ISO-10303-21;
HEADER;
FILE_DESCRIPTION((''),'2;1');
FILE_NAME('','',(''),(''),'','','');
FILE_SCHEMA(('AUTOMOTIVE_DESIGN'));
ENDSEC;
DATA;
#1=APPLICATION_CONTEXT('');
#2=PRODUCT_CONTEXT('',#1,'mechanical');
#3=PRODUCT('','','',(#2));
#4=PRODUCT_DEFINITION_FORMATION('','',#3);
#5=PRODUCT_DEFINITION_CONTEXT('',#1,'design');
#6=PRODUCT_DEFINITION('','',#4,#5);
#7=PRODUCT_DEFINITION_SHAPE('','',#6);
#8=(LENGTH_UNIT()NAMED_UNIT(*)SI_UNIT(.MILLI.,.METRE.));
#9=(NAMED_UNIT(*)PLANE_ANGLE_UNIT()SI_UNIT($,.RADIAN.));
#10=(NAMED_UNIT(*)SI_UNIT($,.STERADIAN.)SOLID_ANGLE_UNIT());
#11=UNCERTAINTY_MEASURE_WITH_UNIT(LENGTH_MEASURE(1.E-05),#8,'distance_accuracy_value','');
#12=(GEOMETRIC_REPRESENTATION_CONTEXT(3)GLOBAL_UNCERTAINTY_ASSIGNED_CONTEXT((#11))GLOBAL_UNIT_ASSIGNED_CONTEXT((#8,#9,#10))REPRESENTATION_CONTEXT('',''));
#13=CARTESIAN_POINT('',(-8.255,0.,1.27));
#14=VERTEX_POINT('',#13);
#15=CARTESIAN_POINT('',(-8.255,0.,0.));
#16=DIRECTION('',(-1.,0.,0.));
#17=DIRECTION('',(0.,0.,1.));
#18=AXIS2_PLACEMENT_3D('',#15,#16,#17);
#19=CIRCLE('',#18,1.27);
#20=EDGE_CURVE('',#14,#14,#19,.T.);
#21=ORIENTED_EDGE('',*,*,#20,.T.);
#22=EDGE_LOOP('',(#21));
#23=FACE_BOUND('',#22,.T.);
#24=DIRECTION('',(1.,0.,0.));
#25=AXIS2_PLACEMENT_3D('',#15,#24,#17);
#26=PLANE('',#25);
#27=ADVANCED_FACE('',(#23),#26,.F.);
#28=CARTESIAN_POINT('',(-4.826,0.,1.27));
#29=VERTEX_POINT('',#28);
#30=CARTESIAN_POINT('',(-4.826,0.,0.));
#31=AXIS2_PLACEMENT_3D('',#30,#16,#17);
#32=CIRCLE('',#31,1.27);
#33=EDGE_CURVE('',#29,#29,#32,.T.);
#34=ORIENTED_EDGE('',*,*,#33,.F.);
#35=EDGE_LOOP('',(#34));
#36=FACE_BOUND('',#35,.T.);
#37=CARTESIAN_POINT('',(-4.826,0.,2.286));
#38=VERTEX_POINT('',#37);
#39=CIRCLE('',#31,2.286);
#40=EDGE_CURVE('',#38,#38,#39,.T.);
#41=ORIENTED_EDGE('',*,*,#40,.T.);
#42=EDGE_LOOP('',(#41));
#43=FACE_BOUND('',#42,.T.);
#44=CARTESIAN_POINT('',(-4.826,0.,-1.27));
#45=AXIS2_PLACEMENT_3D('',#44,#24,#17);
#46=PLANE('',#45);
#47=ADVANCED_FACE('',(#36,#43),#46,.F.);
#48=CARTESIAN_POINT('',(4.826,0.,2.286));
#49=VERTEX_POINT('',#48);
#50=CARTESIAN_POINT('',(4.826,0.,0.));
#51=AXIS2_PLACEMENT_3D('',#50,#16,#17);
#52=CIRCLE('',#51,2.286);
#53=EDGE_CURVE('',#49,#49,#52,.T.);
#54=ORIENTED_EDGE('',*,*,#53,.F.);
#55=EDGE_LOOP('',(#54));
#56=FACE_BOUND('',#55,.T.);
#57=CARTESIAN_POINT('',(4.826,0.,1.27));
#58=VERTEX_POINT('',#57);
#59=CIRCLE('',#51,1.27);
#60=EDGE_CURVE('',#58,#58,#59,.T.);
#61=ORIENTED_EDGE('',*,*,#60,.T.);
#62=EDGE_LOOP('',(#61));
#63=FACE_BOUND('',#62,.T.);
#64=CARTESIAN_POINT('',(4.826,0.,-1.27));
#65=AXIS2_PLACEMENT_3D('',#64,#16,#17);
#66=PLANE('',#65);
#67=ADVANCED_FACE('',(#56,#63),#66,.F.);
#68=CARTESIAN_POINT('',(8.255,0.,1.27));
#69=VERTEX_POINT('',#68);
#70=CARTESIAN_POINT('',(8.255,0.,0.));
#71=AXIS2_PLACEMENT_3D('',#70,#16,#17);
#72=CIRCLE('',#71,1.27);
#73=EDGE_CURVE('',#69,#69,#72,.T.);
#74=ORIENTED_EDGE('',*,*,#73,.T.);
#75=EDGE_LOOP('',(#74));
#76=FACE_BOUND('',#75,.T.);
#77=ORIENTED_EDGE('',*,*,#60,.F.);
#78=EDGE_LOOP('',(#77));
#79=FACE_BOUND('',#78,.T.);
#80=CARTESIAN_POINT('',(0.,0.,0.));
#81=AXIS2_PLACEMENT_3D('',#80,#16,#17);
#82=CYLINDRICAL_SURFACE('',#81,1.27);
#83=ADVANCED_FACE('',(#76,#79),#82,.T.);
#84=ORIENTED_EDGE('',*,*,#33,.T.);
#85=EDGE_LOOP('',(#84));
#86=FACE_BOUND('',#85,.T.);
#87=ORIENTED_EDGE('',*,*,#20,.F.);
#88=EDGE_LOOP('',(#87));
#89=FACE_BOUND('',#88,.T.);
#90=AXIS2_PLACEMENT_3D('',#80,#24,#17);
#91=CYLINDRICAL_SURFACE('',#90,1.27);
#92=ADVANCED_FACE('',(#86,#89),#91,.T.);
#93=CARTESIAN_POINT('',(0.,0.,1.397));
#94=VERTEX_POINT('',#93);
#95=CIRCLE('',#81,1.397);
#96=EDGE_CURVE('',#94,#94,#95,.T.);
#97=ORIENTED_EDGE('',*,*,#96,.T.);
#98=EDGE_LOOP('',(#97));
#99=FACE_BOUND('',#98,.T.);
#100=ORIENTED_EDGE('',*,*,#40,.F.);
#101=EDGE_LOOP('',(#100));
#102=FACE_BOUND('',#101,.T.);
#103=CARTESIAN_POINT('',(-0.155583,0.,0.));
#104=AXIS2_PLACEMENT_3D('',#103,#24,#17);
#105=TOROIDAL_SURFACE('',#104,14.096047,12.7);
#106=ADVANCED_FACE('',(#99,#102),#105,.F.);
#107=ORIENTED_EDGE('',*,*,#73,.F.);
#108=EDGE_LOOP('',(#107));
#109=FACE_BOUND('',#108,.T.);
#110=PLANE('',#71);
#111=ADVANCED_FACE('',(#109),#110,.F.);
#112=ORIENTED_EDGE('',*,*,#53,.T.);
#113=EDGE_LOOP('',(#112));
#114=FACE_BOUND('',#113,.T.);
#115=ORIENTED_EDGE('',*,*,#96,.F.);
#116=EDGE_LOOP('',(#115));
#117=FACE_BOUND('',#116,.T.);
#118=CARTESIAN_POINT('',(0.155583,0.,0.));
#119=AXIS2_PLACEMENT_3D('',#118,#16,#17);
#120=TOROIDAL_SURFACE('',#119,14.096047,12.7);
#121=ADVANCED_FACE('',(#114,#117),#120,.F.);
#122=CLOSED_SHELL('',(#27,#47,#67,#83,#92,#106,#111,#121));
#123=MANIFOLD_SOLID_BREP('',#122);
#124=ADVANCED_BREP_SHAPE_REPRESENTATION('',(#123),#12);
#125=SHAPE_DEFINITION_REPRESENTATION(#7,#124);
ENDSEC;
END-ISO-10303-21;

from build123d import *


with BuildPart() as part:
    # Sketch1 → Revolve1 (revolve)
    with BuildSketch(Plane(origin=(0, 0, 0), x_dir=(1, 0, 0), z_dir=(0, 1, 0)), mode=Mode.PRIVATE) as revolve1_sk:
        with BuildLine():
            Line((0, 0), (8.255, 0))
            Line((8.255, 0), (8.255, 1.27))
            Line((8.255, 1.27), (4.826, 1.27))
            Line((4.826, 1.27), (4.826, 2.286))
            ThreePointArc((4.826, 2.286), (2.456346308, 1.606191469), (0, 1.397))
            Line((0, 1.397), (0, 0))
        make_face()
    revolve1 = revolve(revolve1_sk.sketch.rotate(Axis((0, 0, 0), (1, 0, 0)), 180), axis=Axis((0, 0, 0), (1, 0, 0)))

    # Mirror1: Revolve1 across plane
    add(revolve1.mirror(Plane(origin=(0, 0, 0), x_dir=(0, 0, 1), z_dir=(1, 0, 0))))


solid = part.part
